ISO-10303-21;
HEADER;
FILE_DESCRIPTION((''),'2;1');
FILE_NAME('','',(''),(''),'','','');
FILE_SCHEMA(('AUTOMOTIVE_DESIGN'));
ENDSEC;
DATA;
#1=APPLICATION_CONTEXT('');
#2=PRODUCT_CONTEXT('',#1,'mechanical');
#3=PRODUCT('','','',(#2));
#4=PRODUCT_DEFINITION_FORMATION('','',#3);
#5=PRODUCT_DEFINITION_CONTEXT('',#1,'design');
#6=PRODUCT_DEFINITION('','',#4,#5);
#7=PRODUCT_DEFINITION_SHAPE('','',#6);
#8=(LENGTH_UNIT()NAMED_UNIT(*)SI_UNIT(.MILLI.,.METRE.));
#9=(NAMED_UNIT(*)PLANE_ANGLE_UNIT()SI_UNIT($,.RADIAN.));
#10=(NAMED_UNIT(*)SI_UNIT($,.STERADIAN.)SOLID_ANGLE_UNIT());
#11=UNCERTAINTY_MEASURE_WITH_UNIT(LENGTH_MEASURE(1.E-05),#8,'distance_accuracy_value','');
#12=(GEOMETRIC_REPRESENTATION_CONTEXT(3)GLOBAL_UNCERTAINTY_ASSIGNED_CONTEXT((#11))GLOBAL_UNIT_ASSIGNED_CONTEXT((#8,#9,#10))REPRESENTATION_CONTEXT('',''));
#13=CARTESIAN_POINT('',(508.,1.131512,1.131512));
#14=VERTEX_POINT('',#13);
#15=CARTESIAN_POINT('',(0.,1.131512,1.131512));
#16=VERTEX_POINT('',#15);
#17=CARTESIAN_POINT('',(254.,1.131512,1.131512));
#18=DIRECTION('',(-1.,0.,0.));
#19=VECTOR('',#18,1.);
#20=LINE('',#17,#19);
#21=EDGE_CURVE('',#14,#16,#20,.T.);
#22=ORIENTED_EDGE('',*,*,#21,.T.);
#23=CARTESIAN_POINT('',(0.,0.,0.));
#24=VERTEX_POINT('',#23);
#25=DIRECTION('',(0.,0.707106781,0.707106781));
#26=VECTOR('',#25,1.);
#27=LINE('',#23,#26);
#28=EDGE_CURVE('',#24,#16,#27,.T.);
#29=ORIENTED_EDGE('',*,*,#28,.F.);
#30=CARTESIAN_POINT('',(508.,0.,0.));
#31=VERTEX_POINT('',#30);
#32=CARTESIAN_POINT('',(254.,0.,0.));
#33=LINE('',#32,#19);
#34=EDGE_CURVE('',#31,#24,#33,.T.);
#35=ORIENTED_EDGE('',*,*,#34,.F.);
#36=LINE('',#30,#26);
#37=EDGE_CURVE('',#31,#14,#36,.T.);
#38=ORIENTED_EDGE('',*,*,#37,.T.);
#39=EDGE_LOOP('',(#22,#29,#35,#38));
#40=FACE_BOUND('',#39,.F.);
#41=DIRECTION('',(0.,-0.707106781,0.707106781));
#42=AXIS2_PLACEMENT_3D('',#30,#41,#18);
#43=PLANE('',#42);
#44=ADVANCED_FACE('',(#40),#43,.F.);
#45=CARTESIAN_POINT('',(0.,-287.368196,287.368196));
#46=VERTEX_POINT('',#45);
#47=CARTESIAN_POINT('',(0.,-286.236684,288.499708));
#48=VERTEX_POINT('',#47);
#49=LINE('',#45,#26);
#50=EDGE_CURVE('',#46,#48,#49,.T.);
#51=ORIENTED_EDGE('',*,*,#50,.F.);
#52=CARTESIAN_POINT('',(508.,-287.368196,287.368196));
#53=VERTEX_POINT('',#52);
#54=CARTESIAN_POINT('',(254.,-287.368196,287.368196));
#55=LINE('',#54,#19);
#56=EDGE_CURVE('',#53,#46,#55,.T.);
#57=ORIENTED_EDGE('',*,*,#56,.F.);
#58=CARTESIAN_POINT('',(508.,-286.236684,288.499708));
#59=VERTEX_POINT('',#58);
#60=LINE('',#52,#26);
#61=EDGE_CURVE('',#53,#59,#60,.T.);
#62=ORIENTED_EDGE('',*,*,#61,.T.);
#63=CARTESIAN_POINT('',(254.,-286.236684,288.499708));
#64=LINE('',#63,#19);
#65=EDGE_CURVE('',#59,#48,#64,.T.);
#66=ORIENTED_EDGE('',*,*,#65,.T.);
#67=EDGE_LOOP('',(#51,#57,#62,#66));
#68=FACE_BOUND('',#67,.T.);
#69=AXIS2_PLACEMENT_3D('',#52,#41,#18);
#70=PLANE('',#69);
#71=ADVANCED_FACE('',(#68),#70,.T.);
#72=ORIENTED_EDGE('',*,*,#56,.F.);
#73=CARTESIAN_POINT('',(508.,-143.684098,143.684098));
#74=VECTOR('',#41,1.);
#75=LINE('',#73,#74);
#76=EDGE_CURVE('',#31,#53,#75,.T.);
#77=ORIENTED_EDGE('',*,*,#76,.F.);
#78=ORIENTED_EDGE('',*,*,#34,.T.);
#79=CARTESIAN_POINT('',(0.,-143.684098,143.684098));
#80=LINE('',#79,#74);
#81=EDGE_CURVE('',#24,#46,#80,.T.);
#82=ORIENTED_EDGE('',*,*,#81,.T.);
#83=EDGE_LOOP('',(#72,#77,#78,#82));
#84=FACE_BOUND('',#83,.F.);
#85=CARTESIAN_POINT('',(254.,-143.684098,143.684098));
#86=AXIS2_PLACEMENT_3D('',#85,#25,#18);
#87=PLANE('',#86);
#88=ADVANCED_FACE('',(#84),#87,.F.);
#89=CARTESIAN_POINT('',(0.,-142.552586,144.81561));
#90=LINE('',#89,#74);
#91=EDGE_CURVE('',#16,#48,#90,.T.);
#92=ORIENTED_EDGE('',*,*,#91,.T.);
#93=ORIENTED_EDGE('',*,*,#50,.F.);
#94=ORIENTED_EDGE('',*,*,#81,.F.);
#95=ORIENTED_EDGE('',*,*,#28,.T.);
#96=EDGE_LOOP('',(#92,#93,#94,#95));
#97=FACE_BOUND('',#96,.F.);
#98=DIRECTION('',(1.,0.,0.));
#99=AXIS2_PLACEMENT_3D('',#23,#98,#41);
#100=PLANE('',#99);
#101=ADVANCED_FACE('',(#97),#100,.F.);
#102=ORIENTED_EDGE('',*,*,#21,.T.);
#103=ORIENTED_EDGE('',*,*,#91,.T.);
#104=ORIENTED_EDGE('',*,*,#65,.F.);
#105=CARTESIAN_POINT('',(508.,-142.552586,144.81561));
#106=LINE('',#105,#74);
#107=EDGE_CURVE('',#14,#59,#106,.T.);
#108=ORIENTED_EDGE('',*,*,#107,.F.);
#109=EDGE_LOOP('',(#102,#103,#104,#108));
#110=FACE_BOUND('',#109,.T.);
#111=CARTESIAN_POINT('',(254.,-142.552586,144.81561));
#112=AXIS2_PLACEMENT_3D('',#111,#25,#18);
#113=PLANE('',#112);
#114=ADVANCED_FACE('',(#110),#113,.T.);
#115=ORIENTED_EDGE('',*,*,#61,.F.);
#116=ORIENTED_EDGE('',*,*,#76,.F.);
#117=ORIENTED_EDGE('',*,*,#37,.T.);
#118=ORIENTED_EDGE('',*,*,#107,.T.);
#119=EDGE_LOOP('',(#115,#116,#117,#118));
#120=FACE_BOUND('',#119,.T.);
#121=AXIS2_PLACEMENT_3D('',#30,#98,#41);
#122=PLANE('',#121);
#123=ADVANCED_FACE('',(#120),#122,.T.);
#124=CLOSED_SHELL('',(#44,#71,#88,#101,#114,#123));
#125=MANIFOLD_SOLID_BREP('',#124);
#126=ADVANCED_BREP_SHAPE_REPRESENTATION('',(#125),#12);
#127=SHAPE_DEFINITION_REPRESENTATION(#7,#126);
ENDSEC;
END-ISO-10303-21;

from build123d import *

# Parameters (mm, degrees)
F2_W     = 508
F2_H     = 406.4
F3_DEPTH = 1.6002


with BuildPart() as f3:
    # F2 (on face) → F3 (new body)
    with BuildSketch(Plane(origin=(0, 0, 0), x_dir=(-1, 0, 0), z_dir=(0, 0.707107, 0.707107))):
        with Locations((-254, 203.2)):
            Rectangle(F2_W, F2_H)
    extrude(amount=F3_DEPTH)


solid = f3.part
